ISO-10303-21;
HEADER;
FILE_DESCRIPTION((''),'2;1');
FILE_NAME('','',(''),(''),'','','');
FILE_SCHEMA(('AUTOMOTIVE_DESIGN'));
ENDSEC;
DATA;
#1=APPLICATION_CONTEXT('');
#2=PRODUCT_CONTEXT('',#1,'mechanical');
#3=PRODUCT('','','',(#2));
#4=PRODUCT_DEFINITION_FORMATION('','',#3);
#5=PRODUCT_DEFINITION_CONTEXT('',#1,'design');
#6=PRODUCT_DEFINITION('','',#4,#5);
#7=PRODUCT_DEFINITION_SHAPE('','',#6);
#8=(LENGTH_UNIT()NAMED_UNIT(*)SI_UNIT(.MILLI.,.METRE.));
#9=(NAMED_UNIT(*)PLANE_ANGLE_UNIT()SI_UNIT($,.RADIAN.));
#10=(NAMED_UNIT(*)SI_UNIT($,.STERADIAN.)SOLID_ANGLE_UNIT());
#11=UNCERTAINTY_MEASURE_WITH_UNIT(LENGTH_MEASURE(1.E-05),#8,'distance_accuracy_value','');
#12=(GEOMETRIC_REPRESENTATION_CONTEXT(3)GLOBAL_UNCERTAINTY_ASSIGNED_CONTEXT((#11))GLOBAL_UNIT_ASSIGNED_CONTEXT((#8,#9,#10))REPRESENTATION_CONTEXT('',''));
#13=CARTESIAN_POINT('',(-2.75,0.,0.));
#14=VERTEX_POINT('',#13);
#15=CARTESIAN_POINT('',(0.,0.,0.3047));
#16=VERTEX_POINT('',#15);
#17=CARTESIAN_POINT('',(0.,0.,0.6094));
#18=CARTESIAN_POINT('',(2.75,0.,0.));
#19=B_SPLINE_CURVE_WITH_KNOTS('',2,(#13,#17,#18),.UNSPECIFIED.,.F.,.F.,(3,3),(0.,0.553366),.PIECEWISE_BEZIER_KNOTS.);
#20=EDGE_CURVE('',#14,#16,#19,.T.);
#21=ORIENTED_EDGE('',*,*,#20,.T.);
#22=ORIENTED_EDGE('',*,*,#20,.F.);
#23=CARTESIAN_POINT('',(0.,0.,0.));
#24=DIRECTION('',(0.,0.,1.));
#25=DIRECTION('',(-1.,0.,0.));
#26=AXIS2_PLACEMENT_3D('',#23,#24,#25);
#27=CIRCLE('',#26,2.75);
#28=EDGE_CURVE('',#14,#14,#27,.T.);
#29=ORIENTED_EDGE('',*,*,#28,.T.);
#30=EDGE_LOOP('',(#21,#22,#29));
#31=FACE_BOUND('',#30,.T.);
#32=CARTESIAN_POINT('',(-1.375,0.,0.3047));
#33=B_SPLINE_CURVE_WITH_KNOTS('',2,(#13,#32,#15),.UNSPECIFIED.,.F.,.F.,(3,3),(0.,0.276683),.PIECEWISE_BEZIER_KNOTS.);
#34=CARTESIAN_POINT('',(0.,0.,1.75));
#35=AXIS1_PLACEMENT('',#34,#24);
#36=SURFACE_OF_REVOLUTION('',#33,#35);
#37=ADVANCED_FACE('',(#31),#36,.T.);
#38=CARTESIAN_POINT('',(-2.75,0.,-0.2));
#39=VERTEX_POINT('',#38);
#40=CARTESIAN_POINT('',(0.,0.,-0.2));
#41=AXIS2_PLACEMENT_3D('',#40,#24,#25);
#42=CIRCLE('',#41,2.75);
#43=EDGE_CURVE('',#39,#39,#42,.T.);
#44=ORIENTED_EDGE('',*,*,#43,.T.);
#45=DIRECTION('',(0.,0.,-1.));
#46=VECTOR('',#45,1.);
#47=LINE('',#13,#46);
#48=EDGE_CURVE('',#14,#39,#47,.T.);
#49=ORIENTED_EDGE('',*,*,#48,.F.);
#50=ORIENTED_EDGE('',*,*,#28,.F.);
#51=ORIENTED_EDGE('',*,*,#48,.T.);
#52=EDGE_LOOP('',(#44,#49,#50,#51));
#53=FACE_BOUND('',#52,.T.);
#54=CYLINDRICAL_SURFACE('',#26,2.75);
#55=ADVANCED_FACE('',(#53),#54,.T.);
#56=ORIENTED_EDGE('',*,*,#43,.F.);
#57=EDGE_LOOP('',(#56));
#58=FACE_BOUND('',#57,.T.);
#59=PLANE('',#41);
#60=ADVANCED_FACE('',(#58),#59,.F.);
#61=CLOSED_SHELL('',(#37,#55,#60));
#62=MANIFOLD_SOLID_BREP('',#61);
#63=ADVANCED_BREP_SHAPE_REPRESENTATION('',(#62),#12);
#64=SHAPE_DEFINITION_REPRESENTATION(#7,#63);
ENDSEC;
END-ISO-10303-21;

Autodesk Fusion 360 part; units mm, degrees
sketch "Sketch1" plane through (0, 0, 0) normal (0, 1, 0) x (1, 0, 0)
  line L0 (0, 0) -> (2.75, 0)
  line L1 (0, 0) -> (-2.75, 0)
  spline S0 degree 2 poles (-2.75, 0) (0, -0.6094) (2.75, 0) knots 0 0 0 0.553366 0.553366 0.553366
  line L2 (0, 0) -> (0, -0.3047)
  dimension "d1" = 2.75
  dimension "d2" = 2.75
revolve "Revolve1" add sketch "Sketch1" angle 360 about axis through (0, 0, 1.75) along (0, 0, 1) contours L1 S0 L2
extrude "Extrude1" add 1 faces at (1.3793, 0.775, 0) along direction (0, 0, -1) blind 0.2
